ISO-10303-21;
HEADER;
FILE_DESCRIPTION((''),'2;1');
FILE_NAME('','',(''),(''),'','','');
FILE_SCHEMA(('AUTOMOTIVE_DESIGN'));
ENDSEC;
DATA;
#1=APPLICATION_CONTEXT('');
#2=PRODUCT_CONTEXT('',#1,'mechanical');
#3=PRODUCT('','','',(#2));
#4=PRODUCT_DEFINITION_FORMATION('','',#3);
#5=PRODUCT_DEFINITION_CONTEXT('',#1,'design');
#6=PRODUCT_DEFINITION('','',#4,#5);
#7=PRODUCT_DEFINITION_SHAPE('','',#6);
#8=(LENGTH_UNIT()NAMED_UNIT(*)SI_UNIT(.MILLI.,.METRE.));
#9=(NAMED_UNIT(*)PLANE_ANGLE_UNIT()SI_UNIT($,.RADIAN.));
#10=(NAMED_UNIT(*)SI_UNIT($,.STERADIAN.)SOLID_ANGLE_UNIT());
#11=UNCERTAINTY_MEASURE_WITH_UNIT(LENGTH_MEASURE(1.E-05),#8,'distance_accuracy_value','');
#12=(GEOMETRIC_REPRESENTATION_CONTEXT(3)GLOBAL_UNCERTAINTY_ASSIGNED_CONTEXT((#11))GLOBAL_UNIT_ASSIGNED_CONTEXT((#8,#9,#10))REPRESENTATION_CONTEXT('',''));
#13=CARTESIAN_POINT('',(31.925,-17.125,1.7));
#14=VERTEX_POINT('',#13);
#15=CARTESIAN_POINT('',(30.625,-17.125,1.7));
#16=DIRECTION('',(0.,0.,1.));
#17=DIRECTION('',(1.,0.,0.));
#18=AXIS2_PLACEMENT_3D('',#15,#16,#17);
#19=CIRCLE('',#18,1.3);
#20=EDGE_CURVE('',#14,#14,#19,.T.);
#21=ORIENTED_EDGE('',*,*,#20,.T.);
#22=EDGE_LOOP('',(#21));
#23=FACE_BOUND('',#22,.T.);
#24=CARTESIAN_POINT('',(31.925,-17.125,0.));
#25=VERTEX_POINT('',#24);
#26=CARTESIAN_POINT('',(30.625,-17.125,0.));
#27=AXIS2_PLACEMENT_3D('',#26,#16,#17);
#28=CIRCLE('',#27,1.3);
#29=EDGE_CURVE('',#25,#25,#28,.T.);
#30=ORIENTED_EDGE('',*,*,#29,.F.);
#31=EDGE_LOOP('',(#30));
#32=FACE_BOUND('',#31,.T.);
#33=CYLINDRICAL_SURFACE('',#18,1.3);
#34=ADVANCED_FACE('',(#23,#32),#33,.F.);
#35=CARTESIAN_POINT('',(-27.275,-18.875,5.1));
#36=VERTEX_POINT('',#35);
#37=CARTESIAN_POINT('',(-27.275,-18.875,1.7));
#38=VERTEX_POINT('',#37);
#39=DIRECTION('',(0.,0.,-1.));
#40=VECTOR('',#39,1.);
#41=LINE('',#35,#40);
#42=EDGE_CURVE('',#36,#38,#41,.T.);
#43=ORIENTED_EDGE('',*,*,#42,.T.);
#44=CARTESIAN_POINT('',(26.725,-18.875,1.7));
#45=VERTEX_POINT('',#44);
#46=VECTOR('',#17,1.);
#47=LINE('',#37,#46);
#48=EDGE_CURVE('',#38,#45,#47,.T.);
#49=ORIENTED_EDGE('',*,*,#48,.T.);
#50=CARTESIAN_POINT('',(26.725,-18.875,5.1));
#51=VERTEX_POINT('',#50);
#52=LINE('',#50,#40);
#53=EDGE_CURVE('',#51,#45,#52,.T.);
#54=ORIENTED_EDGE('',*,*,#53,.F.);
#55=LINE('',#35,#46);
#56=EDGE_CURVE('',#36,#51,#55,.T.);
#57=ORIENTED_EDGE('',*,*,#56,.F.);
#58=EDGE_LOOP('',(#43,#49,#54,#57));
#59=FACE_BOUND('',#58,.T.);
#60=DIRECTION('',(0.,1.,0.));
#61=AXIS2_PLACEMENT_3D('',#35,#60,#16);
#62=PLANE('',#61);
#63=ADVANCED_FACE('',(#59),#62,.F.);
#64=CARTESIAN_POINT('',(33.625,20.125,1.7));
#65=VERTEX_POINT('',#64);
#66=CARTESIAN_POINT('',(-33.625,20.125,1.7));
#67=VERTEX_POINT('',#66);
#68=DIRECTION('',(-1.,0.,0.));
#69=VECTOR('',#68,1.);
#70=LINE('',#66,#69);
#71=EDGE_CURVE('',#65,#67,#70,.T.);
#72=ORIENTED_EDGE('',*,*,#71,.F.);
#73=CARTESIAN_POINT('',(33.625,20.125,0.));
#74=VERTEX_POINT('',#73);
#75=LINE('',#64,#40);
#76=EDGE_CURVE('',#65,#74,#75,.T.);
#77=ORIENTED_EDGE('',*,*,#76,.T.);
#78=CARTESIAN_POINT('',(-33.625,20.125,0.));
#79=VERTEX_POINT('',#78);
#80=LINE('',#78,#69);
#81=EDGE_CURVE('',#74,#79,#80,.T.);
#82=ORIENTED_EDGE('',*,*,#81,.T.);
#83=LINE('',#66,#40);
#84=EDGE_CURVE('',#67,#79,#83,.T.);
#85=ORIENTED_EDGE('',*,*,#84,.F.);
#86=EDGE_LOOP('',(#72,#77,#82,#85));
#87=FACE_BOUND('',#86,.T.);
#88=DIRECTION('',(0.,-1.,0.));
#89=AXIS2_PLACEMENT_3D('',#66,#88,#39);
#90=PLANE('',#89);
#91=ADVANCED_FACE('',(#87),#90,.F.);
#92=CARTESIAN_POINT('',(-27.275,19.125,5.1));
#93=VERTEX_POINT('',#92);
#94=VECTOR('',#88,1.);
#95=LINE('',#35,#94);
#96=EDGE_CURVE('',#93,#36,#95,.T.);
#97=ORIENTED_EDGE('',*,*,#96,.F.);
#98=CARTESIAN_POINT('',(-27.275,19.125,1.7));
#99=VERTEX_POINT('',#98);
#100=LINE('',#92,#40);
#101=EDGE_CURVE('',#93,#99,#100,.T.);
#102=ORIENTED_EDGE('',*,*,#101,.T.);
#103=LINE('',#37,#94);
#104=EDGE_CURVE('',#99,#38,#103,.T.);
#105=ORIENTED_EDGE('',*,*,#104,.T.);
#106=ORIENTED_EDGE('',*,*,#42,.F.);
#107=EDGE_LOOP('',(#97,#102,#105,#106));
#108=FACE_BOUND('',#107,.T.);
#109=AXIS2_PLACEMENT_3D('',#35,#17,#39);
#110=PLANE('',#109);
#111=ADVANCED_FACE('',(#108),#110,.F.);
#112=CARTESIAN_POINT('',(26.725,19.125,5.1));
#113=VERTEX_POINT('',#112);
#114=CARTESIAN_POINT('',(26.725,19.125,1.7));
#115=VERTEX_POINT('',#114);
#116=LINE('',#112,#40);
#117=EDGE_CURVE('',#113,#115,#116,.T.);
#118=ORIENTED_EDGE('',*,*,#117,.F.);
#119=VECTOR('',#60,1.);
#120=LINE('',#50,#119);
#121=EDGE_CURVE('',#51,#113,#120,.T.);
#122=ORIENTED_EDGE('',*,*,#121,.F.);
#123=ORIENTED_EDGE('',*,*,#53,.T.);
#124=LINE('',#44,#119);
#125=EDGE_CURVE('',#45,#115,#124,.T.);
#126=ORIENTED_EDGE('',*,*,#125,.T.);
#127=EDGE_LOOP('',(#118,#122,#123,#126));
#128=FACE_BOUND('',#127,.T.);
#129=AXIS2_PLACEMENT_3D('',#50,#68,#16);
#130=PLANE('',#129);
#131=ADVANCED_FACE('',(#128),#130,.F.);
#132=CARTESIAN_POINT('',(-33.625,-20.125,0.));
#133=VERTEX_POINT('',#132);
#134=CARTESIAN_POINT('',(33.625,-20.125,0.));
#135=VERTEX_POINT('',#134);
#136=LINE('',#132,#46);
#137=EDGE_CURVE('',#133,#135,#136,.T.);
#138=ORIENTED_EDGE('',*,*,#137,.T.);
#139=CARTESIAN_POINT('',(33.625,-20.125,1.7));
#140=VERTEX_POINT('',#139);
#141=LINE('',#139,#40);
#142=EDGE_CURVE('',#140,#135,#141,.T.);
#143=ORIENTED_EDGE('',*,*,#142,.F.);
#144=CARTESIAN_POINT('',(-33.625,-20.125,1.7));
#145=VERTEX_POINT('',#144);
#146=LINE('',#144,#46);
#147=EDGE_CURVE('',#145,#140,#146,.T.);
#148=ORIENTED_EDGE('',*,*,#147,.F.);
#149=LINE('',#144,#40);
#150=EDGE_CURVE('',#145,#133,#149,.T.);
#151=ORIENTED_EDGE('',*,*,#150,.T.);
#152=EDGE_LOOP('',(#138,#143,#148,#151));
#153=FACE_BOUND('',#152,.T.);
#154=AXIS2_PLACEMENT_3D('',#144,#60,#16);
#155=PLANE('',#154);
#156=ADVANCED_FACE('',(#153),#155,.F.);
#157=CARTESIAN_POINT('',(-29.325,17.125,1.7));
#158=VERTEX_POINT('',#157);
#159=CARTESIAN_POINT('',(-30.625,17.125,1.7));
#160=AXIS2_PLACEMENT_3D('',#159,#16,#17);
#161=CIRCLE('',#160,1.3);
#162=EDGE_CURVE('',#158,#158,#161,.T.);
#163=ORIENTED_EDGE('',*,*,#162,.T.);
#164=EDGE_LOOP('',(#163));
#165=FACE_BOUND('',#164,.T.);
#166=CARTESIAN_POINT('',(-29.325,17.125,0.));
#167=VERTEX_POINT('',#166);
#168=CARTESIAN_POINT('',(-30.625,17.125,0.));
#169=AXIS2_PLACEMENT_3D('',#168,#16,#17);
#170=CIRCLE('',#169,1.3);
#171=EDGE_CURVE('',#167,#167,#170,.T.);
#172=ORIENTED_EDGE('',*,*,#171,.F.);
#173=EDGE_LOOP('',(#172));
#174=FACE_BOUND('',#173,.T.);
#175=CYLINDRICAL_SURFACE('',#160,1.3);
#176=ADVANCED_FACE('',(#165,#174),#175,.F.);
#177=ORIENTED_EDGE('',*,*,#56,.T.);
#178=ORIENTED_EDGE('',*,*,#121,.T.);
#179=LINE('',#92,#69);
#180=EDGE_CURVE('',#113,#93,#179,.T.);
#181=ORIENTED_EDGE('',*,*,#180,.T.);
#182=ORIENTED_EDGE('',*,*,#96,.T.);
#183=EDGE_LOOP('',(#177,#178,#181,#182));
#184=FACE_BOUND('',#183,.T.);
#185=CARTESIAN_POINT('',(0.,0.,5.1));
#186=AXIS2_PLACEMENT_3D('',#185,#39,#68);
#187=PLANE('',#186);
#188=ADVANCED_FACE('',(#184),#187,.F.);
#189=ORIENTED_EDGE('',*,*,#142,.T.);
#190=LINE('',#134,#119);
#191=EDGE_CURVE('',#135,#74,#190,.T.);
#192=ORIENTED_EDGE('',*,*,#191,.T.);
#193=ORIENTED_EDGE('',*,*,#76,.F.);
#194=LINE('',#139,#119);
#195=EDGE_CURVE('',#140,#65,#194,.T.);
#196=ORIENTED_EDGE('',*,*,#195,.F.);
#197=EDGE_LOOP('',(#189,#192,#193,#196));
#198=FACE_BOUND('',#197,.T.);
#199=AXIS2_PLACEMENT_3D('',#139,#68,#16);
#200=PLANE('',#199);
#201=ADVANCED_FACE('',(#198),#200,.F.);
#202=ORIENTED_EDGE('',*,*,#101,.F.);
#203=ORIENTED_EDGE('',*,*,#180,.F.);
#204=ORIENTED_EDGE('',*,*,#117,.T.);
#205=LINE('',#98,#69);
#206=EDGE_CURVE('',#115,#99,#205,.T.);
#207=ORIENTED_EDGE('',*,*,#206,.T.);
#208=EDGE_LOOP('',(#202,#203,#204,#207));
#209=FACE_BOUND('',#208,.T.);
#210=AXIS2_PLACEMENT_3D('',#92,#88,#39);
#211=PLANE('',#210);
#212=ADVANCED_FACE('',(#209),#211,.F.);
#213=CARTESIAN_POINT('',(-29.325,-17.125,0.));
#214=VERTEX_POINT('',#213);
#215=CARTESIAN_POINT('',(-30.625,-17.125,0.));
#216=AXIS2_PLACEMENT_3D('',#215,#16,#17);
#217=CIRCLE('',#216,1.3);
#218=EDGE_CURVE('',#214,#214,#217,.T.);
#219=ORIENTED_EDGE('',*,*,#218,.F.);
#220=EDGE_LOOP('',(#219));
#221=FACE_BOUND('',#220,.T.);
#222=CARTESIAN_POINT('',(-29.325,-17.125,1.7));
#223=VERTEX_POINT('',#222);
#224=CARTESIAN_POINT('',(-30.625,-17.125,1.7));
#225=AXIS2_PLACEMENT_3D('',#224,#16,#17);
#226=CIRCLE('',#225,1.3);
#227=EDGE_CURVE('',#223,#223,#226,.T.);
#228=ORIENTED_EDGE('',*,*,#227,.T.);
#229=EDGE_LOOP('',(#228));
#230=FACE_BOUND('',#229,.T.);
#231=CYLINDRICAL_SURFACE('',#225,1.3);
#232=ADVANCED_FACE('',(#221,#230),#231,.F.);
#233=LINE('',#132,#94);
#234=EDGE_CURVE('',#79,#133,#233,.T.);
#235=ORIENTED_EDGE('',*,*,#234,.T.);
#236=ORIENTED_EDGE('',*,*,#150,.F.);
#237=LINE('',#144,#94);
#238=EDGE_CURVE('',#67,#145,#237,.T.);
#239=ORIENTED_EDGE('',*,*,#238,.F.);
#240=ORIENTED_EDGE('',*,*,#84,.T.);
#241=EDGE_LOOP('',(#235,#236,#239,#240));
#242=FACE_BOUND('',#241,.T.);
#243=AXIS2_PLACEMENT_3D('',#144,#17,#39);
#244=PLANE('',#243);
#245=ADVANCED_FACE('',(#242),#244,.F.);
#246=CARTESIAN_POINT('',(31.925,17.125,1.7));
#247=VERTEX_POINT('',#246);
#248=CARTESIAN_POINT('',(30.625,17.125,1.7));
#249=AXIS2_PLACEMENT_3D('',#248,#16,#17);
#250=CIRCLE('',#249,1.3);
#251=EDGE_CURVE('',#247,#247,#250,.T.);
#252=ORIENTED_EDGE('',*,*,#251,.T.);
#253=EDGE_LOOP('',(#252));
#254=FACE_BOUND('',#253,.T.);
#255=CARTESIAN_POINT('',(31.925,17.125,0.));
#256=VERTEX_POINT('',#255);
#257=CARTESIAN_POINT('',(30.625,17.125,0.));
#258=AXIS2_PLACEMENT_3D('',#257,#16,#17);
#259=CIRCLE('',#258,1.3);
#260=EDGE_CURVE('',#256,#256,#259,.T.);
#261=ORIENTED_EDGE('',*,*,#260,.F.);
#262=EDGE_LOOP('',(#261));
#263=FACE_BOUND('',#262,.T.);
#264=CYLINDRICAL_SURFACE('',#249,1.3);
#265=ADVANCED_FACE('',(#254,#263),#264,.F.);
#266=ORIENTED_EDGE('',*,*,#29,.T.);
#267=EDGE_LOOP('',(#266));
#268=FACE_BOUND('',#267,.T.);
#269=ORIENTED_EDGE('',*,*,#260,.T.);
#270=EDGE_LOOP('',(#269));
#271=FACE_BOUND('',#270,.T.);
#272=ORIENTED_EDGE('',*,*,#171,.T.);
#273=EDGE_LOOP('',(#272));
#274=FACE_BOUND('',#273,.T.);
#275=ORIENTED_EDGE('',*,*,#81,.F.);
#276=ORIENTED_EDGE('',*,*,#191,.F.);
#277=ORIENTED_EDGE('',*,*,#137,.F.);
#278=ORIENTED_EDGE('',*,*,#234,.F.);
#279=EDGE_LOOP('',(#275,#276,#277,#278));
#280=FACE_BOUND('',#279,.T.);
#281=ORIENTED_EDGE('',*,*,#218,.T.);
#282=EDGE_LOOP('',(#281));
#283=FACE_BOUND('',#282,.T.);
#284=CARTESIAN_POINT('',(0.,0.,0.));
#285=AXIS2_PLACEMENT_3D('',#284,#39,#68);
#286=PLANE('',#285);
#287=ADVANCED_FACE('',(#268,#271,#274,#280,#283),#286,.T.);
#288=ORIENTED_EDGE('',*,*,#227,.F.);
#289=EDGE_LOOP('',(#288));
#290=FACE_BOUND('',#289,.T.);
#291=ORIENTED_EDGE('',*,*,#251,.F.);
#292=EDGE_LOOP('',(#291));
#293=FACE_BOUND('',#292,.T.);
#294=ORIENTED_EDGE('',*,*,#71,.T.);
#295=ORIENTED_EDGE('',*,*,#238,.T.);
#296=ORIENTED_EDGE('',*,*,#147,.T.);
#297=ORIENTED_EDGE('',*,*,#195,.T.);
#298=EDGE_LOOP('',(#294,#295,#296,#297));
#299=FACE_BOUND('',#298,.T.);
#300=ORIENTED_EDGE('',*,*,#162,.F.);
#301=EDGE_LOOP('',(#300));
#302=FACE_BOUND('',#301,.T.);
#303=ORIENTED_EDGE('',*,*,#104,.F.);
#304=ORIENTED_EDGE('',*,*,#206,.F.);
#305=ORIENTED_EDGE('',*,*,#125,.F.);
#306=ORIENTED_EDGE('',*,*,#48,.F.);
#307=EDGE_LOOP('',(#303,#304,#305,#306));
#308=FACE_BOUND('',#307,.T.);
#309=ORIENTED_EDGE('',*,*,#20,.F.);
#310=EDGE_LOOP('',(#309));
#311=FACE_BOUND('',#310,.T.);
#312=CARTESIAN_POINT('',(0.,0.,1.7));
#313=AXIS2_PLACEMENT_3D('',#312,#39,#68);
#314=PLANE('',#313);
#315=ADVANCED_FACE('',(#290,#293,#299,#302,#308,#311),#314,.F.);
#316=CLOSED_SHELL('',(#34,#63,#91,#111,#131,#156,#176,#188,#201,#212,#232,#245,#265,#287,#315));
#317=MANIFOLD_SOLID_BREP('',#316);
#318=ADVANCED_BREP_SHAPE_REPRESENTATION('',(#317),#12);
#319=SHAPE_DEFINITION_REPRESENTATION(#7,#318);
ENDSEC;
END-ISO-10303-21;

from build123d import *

# Parameters (mm, degrees)
SKETCH_1_W        = 67.25
SKETCH_1_H        = 40.25
EXTRUDE_1_DEPTH   = 1.7
SKETCH_2_W        = 54
SKETCH_2_H        = 38
EXTRUDE_2_DEPTH   = 3.4
HOLE_WIZARD_M21_D = 2.6


with BuildPart() as part:
    # Эскиз1 → Бобышка-Вытянуть1 (new body)
    with BuildSketch(Plane.XY):
        Rectangle(SKETCH_1_W, SKETCH_1_H)
    extrude(amount=EXTRUDE_1_DEPTH)

    # Эскиз2 → Бобышка-Вытянуть2 (add)
    with BuildSketch(Plane.XY.offset(1.7)):
        with Locations((-0.275, 0.125)):
            Rectangle(SKETCH_2_W, SKETCH_2_H)
    extrude(amount=EXTRUDE_2_DEPTH)

    # Отверстие с зазором M21 (through all)
    with Locations(Plane.XY.offset(1.7)):
        with Locations((-30.625, 17.125), (-30.625, -17.125), (30.625, -17.125), (30.625, 17.125)):
            Hole(HOLE_WIZARD_M21_D / 2)


solid = part.part
